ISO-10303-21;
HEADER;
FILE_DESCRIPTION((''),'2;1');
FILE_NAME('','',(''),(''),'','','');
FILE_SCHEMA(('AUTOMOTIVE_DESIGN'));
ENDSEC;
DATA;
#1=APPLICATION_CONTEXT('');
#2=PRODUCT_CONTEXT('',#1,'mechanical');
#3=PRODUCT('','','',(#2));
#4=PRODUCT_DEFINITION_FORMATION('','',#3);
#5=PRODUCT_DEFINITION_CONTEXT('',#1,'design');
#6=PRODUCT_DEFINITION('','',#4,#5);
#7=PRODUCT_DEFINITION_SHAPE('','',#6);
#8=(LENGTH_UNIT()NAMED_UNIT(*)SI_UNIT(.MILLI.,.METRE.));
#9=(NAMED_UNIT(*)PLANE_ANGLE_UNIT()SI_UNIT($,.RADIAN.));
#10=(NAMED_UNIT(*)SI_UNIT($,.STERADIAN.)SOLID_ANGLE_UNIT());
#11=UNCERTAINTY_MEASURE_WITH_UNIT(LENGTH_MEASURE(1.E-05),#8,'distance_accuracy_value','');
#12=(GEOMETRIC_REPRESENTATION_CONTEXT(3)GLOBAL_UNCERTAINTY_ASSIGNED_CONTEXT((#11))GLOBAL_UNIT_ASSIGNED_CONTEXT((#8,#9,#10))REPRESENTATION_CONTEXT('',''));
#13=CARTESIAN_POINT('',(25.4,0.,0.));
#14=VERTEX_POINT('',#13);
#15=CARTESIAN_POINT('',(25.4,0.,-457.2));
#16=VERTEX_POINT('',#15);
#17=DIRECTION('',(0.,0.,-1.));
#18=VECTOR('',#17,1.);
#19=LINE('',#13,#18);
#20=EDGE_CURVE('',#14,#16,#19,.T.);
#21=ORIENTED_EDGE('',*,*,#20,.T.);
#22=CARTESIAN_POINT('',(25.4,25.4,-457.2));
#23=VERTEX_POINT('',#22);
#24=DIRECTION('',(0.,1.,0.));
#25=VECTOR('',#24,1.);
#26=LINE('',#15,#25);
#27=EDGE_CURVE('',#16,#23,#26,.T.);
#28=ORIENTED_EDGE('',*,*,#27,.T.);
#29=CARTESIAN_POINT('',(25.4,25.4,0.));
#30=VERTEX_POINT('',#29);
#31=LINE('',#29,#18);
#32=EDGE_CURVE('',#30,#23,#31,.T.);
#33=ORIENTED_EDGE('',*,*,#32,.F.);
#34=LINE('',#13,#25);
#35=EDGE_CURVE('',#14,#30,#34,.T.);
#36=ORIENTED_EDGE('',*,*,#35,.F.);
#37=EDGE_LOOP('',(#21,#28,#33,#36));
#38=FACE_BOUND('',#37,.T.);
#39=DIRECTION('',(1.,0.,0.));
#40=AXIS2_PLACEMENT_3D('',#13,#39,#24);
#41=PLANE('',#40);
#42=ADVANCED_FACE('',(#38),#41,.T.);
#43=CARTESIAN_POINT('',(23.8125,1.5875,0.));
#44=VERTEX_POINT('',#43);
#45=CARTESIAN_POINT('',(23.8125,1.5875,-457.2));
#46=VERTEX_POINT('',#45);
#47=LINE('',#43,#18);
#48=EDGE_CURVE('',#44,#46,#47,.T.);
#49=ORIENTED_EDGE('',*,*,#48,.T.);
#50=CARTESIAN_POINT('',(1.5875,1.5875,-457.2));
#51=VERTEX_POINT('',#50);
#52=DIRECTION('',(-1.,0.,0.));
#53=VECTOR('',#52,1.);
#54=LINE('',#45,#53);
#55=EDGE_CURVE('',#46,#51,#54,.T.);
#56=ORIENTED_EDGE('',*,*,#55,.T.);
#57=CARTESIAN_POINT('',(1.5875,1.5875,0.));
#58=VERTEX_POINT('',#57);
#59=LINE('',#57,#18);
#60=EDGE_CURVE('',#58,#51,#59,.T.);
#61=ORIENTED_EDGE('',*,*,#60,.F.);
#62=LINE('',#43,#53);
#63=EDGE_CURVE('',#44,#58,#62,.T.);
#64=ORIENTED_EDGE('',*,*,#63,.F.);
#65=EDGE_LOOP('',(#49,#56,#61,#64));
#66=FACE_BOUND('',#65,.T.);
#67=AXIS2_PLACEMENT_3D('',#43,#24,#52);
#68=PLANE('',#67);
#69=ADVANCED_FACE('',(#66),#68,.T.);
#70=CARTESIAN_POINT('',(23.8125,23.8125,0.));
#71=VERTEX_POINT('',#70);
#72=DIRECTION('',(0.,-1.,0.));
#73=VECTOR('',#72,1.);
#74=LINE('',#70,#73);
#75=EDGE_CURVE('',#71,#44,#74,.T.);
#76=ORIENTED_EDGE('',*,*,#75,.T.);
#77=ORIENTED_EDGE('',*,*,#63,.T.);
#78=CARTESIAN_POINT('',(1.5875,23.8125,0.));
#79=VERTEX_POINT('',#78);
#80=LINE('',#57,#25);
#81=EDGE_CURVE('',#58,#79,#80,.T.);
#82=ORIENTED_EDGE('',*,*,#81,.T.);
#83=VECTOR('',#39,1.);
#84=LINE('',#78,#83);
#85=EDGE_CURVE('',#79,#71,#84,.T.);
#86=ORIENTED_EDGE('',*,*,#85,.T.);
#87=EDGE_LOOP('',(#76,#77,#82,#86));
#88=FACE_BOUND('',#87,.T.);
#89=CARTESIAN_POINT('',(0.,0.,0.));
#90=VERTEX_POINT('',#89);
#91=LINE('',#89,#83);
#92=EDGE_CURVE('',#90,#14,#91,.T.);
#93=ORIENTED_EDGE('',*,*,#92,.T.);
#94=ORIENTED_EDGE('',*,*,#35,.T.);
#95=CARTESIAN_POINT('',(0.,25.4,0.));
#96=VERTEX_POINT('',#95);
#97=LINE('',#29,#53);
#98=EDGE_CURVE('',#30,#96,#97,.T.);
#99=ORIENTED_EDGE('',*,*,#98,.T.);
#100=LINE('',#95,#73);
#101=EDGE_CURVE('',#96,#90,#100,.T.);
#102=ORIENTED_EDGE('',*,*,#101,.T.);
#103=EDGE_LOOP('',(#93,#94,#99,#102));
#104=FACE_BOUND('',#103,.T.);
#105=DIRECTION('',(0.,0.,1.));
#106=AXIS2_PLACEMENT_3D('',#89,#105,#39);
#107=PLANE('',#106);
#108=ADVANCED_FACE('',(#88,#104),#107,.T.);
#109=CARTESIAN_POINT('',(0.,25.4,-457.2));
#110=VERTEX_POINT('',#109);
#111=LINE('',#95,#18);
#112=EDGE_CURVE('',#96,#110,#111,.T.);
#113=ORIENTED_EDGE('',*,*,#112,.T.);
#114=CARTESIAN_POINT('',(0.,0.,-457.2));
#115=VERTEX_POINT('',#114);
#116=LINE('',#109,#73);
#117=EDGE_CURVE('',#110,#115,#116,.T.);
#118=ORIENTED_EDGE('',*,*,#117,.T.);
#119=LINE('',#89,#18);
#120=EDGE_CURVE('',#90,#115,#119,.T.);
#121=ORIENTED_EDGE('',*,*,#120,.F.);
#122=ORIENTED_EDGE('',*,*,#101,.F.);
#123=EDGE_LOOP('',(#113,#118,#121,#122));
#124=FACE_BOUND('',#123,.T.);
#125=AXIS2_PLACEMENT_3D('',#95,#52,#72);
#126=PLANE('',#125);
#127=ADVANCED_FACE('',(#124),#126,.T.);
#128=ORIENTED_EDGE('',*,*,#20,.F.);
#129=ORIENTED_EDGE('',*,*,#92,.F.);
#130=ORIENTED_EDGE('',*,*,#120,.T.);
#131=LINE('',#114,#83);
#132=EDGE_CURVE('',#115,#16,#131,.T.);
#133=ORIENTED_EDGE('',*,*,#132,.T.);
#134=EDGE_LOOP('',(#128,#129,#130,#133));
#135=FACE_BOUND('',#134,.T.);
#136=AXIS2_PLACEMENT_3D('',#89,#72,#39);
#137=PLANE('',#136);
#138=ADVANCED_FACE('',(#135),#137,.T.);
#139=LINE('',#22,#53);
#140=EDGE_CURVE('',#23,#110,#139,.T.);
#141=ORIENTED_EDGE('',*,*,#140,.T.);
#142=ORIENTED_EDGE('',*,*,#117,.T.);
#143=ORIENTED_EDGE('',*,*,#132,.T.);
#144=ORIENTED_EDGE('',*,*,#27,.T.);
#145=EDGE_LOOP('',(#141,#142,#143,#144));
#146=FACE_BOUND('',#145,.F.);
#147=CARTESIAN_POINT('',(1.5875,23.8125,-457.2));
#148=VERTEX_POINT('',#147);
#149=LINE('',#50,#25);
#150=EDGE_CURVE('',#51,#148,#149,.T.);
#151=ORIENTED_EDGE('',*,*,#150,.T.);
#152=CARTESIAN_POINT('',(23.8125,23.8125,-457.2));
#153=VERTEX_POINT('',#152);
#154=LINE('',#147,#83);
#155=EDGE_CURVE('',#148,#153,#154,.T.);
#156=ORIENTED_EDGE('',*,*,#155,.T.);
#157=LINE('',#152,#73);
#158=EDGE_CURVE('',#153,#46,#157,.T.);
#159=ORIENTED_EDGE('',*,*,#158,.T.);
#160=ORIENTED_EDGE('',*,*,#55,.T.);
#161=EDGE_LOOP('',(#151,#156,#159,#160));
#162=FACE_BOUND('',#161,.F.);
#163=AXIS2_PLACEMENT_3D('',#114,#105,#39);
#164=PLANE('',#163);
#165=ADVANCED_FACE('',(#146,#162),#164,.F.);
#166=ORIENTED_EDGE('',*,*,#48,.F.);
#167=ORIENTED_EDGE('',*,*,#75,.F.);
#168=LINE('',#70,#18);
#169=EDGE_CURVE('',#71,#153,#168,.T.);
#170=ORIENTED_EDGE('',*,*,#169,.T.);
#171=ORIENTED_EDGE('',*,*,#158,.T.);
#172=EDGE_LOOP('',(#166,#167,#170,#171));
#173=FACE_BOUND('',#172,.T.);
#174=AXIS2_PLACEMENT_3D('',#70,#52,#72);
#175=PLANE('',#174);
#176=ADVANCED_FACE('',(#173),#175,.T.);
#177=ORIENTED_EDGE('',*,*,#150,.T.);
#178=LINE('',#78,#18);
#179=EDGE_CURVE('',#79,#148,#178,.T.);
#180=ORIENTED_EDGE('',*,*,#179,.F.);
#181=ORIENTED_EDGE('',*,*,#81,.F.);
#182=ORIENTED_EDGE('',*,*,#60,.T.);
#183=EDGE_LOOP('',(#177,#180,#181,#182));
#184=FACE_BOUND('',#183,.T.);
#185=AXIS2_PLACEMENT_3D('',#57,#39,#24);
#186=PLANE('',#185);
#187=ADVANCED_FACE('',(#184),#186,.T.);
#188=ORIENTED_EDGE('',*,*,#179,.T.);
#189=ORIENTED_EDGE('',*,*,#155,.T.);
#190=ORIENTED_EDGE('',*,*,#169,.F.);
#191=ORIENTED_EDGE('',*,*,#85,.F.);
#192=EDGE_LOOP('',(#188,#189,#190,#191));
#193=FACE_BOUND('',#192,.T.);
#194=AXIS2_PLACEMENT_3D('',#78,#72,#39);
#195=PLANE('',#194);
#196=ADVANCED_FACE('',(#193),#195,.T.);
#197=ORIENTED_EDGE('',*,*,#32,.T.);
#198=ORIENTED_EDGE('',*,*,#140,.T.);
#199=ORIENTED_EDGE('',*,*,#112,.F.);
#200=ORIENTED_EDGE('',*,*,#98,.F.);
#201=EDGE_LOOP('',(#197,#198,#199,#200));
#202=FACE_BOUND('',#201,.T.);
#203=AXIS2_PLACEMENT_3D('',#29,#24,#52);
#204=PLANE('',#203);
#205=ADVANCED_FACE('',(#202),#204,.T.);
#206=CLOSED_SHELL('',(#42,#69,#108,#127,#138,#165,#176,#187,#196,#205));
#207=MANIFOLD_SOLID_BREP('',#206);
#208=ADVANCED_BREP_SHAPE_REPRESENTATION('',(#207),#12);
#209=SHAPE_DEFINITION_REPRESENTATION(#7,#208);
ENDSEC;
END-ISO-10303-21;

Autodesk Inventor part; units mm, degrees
ref_plane "YZ Plane" through (0, 0, 0) normal (1, 0, 0) x (0, 1, 0)
ref_plane "XZ Plane" through (0, 0, 0) normal (0, 1, 0) x (-1, 0, 0)
ref_plane "XY Plane" through (0, 0, 0) normal (0, 0, 1) x (1, 0, 0)
sketch "Sketch1" plane through (0, 0, 0) normal (0, 0, 1) x (1, 0, 0)
  line L0 (0, 0) -> (25.4, 0)
  line L1 (25.4, 0) -> (25.4, 25.4)
  line L2 (25.4, 25.4) -> (0, 25.4)
  line L3 (0, 25.4) -> (0, 0)
  line L4 (1.5875, 23.8125) -> (23.8125, 23.8125)
  line L5 (23.8125, 23.8125) -> (23.8125, 1.5875)
  line L6 (23.8125, 1.5875) -> (1.5875, 1.5875)
  line L7 (1.5875, 1.5875) -> (1.5875, 23.8125)
  dimension "d0" = 25.4
  dimension "d1" = 25.4
  dimension "d2" = 1.5875
extrude "Extrusion1" add sketch "Sketch1" against normal blind 457.2
properties part number "1tube_16_frame"
